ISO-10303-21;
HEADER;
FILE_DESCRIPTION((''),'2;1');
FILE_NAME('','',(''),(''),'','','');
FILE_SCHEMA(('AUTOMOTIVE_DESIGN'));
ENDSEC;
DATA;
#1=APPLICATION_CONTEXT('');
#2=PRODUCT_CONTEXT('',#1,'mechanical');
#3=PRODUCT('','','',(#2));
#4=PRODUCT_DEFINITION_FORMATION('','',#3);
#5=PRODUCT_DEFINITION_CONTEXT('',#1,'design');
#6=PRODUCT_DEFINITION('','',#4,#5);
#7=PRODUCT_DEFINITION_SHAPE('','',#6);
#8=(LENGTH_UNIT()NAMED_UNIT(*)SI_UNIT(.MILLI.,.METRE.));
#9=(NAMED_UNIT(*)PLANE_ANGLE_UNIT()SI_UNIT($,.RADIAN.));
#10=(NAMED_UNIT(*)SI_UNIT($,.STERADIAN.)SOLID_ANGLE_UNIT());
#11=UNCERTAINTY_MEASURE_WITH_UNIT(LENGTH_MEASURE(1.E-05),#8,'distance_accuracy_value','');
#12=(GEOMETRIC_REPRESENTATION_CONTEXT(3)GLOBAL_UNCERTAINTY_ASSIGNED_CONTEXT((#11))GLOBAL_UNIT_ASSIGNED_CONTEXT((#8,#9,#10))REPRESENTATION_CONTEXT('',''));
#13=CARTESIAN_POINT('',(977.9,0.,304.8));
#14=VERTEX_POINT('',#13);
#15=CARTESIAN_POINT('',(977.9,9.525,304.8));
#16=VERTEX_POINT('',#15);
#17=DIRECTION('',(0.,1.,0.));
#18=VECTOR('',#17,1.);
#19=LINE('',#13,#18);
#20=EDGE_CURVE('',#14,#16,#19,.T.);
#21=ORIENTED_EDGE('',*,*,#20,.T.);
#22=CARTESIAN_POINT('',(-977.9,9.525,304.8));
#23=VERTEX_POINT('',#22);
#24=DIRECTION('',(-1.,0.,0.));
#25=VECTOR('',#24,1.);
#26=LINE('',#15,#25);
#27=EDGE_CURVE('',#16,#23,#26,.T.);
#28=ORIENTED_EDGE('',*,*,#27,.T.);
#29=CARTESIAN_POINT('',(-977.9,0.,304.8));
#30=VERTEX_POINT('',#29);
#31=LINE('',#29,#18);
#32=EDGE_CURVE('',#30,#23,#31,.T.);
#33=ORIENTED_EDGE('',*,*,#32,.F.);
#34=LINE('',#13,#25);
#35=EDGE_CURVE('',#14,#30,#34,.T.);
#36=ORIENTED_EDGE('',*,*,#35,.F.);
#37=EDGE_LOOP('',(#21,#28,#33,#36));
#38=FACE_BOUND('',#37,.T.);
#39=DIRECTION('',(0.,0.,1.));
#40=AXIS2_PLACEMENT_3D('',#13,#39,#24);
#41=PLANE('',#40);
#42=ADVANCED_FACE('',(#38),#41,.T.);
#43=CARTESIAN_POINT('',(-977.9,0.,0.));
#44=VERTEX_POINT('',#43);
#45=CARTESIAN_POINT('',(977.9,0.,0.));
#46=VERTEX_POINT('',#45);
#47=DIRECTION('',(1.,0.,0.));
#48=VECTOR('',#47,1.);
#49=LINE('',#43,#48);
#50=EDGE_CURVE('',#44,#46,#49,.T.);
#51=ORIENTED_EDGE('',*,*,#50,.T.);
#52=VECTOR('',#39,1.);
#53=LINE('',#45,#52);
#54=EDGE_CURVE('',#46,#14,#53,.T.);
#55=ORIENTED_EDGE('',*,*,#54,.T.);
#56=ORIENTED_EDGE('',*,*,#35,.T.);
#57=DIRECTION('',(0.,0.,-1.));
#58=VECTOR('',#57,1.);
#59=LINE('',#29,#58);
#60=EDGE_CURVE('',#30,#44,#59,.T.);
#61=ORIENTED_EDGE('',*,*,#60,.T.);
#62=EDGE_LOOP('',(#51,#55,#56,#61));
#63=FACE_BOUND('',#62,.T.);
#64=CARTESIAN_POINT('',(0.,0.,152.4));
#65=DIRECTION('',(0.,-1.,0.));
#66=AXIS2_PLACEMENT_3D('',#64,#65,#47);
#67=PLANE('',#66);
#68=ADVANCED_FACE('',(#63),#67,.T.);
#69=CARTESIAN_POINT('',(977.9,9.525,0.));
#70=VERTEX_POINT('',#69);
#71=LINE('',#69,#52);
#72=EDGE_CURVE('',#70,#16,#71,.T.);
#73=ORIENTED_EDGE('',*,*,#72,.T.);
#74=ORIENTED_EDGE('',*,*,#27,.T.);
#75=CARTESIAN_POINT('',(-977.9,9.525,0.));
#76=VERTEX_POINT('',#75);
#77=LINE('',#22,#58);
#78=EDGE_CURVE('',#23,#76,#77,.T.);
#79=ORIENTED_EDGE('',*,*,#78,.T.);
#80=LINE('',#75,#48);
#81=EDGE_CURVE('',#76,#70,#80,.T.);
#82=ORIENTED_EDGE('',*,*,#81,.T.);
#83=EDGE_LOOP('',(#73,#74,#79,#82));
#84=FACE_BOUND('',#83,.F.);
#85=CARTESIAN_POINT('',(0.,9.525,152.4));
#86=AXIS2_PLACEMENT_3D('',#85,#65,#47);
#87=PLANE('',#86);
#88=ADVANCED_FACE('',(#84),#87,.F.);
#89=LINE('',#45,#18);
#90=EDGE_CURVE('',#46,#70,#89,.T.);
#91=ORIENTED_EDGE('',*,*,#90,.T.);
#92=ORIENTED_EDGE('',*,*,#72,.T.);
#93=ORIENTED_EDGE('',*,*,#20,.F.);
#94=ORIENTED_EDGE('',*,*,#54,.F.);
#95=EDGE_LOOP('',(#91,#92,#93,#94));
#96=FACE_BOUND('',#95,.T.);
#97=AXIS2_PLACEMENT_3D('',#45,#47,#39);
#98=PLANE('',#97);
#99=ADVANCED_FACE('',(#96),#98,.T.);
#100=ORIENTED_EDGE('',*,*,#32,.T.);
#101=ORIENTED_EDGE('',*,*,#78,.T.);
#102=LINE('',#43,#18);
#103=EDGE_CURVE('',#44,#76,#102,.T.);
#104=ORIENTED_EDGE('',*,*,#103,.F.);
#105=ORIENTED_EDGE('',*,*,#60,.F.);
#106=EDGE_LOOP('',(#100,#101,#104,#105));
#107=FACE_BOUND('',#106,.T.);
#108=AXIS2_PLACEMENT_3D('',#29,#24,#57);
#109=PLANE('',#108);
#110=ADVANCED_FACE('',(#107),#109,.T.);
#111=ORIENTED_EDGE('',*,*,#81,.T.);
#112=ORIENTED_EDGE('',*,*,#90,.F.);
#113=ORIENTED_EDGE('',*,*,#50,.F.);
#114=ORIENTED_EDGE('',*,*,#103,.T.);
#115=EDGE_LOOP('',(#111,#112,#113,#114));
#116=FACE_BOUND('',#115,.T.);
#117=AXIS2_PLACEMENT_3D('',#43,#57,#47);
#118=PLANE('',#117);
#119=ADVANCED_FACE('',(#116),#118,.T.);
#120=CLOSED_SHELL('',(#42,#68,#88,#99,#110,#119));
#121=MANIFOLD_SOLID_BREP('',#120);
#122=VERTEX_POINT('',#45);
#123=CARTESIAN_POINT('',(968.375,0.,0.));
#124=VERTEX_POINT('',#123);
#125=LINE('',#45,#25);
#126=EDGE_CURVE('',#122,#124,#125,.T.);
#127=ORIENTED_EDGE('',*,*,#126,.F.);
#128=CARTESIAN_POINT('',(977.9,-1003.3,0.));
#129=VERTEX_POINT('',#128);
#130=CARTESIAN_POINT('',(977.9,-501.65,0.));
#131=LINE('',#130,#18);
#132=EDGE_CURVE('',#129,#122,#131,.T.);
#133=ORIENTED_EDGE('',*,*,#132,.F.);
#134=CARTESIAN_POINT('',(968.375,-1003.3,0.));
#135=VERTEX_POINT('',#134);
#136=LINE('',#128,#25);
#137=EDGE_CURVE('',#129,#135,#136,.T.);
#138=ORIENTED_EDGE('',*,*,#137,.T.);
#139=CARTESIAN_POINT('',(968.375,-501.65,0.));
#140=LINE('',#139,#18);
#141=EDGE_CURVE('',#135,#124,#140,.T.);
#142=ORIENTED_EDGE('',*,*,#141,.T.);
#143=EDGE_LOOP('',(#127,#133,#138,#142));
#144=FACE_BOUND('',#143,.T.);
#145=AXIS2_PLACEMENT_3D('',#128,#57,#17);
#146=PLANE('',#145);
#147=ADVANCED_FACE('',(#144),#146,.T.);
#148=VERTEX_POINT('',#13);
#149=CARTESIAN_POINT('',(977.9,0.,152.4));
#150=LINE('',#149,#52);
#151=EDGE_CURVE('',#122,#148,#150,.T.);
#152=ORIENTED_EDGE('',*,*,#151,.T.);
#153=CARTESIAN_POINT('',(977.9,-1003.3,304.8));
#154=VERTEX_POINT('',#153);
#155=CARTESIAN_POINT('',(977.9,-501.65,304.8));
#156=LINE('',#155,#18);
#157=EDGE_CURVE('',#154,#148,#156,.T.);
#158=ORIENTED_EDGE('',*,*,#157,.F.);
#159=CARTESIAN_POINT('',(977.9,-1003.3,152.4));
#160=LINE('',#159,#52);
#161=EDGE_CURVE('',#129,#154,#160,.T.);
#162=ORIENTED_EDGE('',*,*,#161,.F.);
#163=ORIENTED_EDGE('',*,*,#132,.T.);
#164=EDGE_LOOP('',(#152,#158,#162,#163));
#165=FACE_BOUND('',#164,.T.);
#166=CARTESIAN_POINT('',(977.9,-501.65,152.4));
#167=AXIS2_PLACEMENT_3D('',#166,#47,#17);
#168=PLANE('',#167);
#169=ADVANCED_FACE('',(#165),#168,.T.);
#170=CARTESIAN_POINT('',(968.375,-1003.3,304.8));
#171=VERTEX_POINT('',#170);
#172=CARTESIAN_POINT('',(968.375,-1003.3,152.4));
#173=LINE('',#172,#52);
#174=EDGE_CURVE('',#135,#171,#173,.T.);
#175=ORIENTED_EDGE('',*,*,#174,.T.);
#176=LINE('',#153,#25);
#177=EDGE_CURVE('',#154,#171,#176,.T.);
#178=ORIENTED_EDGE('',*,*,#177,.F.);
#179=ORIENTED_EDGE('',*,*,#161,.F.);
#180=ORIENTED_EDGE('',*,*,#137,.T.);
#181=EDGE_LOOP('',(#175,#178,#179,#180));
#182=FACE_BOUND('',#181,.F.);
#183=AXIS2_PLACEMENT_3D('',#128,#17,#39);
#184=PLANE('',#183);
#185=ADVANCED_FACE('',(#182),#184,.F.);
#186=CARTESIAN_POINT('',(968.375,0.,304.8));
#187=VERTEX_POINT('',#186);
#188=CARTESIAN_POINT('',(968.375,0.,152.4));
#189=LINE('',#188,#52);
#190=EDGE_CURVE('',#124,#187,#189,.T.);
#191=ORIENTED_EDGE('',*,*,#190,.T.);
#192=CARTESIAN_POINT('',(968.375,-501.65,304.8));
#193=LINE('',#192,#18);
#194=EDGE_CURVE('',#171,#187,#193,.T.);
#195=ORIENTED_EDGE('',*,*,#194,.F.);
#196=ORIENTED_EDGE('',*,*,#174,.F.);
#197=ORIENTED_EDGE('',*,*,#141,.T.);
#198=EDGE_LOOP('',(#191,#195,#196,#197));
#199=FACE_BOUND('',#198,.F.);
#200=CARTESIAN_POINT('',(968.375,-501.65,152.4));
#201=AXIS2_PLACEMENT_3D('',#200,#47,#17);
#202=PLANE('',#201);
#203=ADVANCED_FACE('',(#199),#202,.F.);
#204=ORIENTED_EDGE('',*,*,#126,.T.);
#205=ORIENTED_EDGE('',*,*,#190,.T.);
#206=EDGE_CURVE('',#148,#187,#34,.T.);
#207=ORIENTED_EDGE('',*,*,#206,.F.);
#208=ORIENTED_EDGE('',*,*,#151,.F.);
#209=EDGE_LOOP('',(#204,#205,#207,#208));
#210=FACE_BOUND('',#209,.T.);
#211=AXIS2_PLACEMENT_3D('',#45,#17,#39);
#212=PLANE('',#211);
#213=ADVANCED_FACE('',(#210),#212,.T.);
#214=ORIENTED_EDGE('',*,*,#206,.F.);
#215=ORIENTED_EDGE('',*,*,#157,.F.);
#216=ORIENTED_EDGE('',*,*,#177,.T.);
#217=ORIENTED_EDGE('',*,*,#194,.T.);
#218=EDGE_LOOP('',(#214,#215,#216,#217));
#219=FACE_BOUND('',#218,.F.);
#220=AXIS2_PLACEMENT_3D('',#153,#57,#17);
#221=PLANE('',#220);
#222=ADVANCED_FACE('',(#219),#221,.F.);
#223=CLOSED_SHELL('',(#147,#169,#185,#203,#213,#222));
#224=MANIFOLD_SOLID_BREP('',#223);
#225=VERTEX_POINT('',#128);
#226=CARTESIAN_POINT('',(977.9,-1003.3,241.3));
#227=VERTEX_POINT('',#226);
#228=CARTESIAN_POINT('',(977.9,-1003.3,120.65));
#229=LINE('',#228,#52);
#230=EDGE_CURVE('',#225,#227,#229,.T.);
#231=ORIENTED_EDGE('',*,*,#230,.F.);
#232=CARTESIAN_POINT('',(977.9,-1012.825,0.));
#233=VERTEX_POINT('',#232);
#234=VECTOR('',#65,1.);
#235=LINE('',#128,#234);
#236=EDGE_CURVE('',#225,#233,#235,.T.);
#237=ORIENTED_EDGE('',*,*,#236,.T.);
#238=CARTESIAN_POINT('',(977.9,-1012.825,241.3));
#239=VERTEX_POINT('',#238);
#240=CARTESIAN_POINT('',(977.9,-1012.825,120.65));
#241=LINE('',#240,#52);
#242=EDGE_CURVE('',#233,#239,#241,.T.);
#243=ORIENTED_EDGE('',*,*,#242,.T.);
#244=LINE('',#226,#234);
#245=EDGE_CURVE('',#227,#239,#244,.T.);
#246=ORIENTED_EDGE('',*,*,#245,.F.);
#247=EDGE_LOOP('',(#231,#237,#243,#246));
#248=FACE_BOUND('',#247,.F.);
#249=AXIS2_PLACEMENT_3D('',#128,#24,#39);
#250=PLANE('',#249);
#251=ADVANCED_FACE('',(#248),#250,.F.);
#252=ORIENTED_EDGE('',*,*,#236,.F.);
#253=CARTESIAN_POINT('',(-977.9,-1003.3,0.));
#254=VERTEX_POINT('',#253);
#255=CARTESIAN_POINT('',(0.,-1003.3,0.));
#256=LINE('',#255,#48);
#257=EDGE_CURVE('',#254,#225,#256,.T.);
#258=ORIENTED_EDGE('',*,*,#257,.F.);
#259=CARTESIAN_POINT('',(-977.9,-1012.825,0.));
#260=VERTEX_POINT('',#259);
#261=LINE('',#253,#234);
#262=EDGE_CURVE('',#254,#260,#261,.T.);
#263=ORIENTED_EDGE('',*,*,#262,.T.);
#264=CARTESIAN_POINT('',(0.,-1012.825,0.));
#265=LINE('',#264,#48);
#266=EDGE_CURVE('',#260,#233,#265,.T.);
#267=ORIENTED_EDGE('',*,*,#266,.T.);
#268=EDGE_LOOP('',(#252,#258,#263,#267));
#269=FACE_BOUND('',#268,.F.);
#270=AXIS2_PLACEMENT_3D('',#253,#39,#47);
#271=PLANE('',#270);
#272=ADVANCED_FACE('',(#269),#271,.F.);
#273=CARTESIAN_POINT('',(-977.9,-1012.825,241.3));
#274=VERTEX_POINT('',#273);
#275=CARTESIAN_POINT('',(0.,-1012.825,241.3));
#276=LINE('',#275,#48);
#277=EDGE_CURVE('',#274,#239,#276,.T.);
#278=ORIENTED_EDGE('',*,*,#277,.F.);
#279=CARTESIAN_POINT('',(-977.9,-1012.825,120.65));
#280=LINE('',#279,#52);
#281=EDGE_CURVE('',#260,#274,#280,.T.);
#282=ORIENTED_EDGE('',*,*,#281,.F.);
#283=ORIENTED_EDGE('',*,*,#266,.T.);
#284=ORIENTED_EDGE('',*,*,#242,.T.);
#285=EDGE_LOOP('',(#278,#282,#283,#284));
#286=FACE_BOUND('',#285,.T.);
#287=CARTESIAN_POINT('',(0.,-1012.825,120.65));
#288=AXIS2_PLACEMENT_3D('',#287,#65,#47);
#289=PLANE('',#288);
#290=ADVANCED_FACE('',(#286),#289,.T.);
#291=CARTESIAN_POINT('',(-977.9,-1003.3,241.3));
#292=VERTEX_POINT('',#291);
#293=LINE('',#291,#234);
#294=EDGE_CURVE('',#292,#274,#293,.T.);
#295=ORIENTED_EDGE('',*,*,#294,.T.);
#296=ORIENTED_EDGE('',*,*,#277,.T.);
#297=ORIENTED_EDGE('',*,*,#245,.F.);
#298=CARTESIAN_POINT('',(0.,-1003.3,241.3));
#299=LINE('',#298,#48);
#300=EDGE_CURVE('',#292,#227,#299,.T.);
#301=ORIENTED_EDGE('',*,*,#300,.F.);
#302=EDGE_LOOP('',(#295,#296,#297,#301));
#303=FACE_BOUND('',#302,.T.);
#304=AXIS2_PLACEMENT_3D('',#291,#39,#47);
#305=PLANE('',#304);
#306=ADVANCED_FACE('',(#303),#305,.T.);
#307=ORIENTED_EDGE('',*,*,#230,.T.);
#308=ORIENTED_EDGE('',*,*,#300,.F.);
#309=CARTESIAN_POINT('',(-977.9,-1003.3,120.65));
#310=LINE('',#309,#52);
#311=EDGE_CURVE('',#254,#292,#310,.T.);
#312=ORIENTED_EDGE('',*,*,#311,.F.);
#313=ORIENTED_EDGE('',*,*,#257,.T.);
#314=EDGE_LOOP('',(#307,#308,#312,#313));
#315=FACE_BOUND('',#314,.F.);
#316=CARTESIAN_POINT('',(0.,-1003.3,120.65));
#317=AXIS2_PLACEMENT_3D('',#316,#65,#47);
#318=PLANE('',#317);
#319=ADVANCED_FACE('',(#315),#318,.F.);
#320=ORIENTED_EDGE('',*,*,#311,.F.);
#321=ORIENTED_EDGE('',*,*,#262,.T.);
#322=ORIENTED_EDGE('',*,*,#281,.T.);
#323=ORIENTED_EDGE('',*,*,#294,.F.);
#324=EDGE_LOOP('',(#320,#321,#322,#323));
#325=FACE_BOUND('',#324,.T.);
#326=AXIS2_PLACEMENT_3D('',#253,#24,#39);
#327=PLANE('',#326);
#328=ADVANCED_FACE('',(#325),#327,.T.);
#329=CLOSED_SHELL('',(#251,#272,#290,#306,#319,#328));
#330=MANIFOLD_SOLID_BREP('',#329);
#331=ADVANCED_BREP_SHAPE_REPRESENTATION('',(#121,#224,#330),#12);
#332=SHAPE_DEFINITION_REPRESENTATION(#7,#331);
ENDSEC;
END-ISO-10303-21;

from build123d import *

# Parameters (mm, degrees)
F1_DEPTH = 9.525
F3_W     = 1955.8
F3_H     = 241.3
F4_DEPTH = 9.525
F6_W     = 1003.3
F6_H     = 304.8
F7_DEPTH = 9.525


with BuildPart() as f1:
    # F0 (on Front) → F1 (new body)
    with BuildSketch(Plane.XZ):
        Polygon((-977.9, 304.8), (-977.9, 0), (0, 0), (977.9, 0), (977.9, 304.8), align=None)
    extrude(amount=-F1_DEPTH)


with BuildPart() as f4:
    # F3 (on offset) → F4 (new body)
    with BuildSketch(Plane.XZ.offset(1003.3)):
        with Locations((0, 120.65)):
            Rectangle(F3_W, F3_H)
    extrude(amount=F4_DEPTH)


with BuildPart() as f7:
    # F6 (on 3pt) → F7 (new body)
    with BuildSketch(Plane.YZ.offset(977.9)):
        with Locations((-501.65, 152.4)):
            Rectangle(F6_W, F6_H)
    extrude(amount=-F7_DEPTH)


solid = Compound([f1.part, f4.part, f7.part])
